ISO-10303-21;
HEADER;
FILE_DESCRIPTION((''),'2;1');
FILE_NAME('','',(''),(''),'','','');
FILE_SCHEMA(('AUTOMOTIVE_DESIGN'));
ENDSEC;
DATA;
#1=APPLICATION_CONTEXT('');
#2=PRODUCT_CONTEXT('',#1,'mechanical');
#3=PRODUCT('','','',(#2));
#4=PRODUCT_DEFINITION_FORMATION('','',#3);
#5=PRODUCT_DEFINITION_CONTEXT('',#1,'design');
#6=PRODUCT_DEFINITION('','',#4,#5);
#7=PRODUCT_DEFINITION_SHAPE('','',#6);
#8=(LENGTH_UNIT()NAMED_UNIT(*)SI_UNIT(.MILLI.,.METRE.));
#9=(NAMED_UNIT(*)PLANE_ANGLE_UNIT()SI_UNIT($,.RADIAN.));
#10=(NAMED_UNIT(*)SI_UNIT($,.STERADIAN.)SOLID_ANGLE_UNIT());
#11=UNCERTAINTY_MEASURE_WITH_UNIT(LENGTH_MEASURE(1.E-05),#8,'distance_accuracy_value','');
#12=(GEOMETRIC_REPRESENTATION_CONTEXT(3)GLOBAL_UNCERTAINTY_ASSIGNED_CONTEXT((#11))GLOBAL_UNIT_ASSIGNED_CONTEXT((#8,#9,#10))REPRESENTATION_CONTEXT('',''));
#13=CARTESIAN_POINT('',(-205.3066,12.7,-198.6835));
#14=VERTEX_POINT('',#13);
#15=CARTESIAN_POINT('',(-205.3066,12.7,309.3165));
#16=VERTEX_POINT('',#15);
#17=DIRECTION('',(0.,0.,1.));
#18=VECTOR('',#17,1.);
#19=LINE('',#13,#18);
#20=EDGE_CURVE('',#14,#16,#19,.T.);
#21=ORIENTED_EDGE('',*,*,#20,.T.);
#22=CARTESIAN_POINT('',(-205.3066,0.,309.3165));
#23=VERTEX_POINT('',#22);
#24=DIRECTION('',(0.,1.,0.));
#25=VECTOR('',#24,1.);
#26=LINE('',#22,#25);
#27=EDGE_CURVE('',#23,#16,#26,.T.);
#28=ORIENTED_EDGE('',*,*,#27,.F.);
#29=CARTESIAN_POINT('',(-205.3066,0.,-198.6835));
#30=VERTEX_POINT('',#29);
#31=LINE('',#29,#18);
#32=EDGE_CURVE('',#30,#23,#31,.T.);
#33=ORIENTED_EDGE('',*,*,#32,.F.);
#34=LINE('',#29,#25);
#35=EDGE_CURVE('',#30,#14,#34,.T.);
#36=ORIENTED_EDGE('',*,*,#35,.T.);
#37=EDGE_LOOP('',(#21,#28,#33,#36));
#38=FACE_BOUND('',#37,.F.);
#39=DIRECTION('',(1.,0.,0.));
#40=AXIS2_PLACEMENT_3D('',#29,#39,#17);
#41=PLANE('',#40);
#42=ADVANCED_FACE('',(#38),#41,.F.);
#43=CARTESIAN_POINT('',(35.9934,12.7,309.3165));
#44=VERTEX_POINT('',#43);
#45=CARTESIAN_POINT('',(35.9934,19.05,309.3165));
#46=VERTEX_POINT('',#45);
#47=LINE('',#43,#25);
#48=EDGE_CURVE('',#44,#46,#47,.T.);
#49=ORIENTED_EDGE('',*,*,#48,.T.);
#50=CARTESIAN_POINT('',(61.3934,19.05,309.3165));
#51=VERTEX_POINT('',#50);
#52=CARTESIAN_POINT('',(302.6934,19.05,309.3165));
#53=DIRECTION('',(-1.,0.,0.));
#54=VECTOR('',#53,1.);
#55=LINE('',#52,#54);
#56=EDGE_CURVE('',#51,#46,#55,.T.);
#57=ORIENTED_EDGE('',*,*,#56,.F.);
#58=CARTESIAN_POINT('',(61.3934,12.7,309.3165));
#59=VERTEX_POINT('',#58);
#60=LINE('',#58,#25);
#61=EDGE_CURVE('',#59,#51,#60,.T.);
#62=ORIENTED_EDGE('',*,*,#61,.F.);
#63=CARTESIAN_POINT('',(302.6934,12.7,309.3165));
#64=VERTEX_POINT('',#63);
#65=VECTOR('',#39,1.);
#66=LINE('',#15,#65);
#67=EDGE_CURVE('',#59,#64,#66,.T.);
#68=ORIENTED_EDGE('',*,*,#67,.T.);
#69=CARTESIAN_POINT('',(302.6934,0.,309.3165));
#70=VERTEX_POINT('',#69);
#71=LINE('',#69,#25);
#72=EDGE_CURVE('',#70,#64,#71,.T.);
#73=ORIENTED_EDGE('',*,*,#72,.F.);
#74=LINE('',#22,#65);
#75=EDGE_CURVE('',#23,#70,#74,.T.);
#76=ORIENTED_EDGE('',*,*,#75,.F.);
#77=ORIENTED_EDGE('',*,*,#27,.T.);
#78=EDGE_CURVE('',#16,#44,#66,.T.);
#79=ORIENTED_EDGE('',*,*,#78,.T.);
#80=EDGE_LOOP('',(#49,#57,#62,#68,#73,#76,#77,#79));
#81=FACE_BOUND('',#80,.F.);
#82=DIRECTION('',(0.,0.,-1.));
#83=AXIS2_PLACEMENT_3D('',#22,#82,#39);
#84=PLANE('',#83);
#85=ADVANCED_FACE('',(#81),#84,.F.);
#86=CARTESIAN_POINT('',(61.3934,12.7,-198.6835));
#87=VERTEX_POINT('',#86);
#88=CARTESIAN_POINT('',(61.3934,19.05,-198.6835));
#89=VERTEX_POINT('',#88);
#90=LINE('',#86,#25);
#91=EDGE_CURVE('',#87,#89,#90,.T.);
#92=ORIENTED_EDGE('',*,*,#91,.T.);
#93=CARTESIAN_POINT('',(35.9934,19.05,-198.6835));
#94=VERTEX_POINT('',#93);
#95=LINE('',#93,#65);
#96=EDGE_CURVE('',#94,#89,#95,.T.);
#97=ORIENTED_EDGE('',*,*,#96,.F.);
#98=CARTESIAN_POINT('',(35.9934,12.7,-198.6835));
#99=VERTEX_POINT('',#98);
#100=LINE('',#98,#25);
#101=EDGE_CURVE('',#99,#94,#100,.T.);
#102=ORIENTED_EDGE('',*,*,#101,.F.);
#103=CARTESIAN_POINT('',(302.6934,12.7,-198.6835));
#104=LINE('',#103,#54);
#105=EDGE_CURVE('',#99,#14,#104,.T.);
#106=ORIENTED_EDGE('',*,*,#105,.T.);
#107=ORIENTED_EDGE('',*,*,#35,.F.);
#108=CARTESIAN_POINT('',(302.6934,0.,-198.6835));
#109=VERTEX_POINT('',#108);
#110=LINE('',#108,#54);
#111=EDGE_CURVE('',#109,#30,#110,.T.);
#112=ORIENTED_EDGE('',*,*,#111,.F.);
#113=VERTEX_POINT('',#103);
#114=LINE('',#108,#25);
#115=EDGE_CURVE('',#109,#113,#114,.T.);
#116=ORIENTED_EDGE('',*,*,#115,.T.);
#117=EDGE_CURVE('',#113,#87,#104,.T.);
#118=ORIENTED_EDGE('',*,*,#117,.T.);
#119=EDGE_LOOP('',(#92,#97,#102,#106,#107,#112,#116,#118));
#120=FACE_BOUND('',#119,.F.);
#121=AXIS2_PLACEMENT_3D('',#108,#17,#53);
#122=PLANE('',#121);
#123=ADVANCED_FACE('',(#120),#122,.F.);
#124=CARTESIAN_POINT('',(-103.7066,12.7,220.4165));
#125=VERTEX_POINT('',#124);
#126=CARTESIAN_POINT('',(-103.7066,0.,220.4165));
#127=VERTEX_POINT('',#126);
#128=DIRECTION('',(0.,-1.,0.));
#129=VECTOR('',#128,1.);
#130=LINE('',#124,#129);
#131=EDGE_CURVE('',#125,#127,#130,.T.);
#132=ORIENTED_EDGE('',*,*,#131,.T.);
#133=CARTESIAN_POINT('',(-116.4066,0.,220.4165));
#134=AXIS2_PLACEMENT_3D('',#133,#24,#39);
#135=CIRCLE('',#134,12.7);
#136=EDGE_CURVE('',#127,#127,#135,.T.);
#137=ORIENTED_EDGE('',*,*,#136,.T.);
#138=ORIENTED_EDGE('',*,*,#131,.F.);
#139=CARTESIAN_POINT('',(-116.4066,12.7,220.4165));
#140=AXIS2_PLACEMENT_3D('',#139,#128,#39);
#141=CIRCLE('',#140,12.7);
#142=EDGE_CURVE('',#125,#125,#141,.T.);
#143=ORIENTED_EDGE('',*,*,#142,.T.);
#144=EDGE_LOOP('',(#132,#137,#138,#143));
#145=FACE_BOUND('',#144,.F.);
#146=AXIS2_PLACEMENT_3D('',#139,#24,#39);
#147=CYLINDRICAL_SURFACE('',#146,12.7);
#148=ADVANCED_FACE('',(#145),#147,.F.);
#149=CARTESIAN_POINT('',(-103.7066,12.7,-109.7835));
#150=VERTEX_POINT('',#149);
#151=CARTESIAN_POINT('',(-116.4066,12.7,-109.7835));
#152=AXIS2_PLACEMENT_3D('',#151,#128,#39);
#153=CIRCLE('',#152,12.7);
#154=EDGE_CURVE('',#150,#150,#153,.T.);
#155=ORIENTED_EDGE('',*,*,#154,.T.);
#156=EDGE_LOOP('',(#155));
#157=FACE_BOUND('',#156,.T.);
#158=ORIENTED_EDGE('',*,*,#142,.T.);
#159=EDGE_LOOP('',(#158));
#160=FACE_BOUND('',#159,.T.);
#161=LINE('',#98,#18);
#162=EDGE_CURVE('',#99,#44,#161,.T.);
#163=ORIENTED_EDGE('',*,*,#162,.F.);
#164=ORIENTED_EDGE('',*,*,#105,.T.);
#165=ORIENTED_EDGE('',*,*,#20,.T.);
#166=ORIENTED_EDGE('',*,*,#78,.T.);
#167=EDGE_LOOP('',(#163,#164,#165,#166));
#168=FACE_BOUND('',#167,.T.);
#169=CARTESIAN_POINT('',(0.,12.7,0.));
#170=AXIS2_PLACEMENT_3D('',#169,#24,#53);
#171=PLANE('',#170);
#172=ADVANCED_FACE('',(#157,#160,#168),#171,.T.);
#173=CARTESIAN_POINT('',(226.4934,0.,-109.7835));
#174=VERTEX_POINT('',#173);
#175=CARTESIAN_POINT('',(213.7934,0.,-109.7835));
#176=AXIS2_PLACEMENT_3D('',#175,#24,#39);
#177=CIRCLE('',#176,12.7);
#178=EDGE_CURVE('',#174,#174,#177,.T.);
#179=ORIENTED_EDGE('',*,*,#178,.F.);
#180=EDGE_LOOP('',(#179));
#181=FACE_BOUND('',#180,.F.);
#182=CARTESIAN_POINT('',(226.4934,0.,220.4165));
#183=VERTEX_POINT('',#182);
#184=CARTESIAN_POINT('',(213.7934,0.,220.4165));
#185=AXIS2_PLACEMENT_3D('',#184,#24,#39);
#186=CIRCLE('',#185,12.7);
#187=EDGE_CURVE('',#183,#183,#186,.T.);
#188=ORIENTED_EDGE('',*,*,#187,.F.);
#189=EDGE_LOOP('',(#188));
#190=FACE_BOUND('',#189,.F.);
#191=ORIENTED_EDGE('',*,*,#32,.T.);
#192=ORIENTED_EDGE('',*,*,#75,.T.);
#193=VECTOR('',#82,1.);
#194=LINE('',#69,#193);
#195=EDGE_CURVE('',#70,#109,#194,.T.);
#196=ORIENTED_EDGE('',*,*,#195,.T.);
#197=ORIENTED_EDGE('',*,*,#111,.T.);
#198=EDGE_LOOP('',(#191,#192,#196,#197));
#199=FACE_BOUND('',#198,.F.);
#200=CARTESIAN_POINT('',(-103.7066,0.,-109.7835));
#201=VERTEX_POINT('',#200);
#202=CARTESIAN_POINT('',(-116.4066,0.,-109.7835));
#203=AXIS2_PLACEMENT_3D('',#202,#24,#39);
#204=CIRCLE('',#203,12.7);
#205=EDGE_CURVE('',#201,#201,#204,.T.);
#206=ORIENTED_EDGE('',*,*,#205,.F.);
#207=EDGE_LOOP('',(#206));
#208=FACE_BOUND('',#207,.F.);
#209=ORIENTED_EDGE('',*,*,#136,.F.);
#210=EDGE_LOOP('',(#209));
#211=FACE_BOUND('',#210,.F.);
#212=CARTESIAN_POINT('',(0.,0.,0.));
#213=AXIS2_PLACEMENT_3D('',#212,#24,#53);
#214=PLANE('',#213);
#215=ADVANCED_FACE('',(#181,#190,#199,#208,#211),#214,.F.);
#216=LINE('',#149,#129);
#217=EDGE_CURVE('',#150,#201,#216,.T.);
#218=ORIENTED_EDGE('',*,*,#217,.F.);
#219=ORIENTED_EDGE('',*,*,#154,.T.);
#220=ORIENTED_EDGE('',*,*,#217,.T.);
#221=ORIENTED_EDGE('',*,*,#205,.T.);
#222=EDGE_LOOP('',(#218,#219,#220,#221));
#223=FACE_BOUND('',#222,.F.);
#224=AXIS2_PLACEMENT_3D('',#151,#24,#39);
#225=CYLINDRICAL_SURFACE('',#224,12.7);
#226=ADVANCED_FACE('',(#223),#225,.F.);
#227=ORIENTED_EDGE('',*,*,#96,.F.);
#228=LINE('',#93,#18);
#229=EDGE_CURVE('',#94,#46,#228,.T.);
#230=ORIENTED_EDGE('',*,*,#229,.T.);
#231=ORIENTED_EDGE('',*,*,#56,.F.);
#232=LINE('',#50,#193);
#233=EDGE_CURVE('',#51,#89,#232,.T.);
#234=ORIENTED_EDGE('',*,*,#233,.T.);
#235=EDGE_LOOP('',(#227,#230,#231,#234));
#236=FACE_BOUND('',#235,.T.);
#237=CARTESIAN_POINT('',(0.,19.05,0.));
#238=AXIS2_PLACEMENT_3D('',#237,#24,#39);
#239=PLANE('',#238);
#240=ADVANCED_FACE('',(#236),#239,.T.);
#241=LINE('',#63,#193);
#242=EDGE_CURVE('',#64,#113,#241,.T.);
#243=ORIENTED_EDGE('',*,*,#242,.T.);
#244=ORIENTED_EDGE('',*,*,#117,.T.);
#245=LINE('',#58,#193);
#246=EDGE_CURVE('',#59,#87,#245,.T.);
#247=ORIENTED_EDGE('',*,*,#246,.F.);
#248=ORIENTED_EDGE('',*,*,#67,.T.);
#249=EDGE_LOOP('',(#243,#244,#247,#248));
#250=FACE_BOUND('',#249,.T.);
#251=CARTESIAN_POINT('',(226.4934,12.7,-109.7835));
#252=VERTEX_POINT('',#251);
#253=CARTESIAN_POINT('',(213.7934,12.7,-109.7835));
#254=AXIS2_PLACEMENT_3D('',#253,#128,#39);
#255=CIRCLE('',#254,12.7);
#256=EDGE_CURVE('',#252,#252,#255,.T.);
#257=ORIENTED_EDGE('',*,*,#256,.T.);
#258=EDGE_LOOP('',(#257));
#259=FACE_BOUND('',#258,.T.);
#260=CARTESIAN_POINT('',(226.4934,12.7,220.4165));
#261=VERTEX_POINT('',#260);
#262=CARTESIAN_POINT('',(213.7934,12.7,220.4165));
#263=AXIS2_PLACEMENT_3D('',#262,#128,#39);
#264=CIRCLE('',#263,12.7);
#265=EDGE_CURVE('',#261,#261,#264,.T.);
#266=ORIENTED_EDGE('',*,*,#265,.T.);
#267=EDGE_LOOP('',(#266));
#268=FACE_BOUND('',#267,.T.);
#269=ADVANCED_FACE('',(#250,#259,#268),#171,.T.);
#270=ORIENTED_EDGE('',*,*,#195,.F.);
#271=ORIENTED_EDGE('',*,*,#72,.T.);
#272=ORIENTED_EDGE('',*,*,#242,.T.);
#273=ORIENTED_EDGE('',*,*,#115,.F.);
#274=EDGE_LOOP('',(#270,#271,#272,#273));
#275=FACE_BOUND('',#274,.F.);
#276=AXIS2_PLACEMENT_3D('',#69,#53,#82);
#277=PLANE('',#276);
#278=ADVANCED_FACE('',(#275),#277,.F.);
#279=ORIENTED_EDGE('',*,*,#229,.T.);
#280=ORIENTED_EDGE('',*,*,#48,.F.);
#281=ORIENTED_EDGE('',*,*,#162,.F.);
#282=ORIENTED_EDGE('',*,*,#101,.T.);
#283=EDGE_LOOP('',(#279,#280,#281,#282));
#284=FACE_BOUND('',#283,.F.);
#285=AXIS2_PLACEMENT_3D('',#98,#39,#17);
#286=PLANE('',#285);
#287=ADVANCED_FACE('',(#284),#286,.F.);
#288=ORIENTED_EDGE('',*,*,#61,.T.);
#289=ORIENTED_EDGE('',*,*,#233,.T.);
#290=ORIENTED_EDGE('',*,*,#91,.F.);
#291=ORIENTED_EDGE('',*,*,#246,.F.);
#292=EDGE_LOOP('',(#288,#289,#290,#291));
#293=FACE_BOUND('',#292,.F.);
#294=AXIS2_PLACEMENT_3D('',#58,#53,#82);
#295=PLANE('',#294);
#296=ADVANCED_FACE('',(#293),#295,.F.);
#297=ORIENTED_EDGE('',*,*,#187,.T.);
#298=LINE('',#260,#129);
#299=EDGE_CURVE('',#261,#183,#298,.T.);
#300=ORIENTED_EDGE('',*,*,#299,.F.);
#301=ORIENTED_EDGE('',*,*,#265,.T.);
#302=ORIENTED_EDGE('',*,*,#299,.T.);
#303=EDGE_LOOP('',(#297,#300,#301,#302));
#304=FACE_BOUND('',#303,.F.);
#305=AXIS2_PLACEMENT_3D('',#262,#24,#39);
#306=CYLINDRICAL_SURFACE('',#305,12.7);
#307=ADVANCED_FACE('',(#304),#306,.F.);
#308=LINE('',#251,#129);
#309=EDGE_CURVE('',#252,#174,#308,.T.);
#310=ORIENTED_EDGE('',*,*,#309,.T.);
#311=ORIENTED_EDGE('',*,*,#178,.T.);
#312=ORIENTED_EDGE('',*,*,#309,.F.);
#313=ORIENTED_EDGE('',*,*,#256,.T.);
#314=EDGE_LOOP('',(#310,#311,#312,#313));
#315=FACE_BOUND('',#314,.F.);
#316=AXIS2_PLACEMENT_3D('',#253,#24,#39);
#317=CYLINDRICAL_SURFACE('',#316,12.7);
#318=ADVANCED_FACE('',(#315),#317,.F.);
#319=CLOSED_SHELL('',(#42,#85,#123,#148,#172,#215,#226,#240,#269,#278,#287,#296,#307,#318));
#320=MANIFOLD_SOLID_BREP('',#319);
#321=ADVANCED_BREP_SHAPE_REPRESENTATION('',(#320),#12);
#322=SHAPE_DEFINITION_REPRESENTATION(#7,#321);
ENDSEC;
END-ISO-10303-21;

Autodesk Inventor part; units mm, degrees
ref_plane "YZ Plane" through (0, 0, 0) normal (1, 0, 0) x (0, 1, 0)
ref_plane "XZ Plane" through (0, 0, 0) normal (0, 1, 0) x (-1, 0, 0)
ref_plane "XY Plane" through (0, 0, 0) normal (0, 0, 1) x (1, 0, 0)
sketch "Sketch1" plane through (0, 0, 0) normal (0, 0, 1) x (1, 0, 0)
  point P0 (0, 0)
sketch "Sketch2" plane through (0, 0, 0) normal (0, 1, 0) x (-1, 0, 0)
  line L0 (205.3066, 309.3165) -> (-302.6934, 309.3165)
  line L1 (-302.6934, 309.3165) -> (-302.6934, -198.6835)
  line L2 (-302.6934, -198.6835) -> (205.3066, -198.6835)
  line L3 (205.3066, -198.6835) -> (205.3066, 309.3165)
  point P0 (0, 0)
  dimension "d0" = 508
  dimension "d1" = 508
extrude "Extrusion1" add sketch "Sketch2" along normal blind 12.7
sketch "Sketch3" plane through (0, 12.7, 0) normal (0, 1, 0) x (1, 0, 0)
  line L0 (-205.3066, -309.3165) -> (-116.4066, -309.3165)
  line L1 (-116.4066, -309.3165) -> (-116.4066, -220.4165)
  line L2 (-116.4066, -220.4165) -> (-205.3066, -220.4165)
  line L3 (-205.3066, -220.4165) -> (-205.3066, -309.3165)
  line L4 (-205.3066, 198.6835) -> (-116.4066, 198.6835)
  line L5 (-116.4066, 198.6835) -> (-116.4066, 109.7835)
  line L6 (-116.4066, 109.7835) -> (-205.3066, 109.7835)
  line L7 (-205.3066, 109.7835) -> (-205.3066, 198.6835)
  line L8 (302.6934, 198.6835) -> (213.7934, 198.6835)
  line L9 (213.7934, 198.6835) -> (213.7934, 109.7835)
  line L10 (213.7934, 109.7835) -> (302.6934, 109.7835)
  line L11 (302.6934, 109.7835) -> (302.6934, 198.6835)
  line L12 (302.6934, -309.3165) -> (213.7934, -309.3165)
  line L13 (213.7934, -309.3165) -> (213.7934, -220.4165)
  line L14 (213.7934, -220.4165) -> (302.6934, -220.4165)
  line L15 (302.6934, -220.4165) -> (302.6934, -309.3165)
  circle A0 centre (-116.4066, -220.4165) radius 12.7
  circle A1 centre (-116.4066, 109.7835) radius 12.7
  circle A2 centre (213.7934, 109.7835) radius 12.7
  circle A3 centre (213.7934, -220.4165) radius 12.7
  point P0 (0, 0)
  dimension "d4" = 88.9
  dimension "d5" = 88.9
  dimension "d6" = 88.9
  dimension "d7" = 88.9
  dimension "d8" = 88.9
  dimension "d9" = 88.9
  dimension "d10" = 88.9
  dimension "d11" = 88.9
  dimension "d12" = 25.4
  dimension "d13" = 25.4
  dimension "d14" = 25.4
  dimension "d15" = 25.4
extrude "Extrusion2" cut sketch "Sketch3" against normal blind 12.7 contours A0 L2 L1 | L1 L2 A0 | A1 L6 L5 | L5 L6 A1 | A2 L10 L9 | L9 L10 A2 | A3 L14 L13 | L13 L14 A3
sketch "Sketch4" plane through (0, 12.7, 0) normal (0, 1, 0) x (1, 0, 0)
  line L0 (302.6934, -309.3165) -> (-205.3066, -309.3165) projected
  line L1 (-205.3066, 198.6835) -> (302.6934, 198.6835) projected
  line L2 (302.6934, 198.6835) -> (48.6934, 198.6835)
  line L3 (48.6934, 198.6835) -> (74.0934, 198.6835)
  line L4 (74.0934, 198.6835) -> (61.3934, 198.6835)
  line L5 (61.3934, 198.6835) -> (35.9934, 198.6835)
  line L6 (35.9934, 198.6835) -> (35.9934, -309.3165)
  line L7 (35.9934, -309.3165) -> (61.3934, -309.3165)
  line L8 (61.3934, -309.3165) -> (61.3934, 198.6835)
  line L9 (61.3934, 198.6835) -> (35.9934, 198.6835)
  line L10 (35.9934, 198.6835) -> (35.9934, -309.3165)
  point P0 (0, 0)
  dimension "d18" = 254
  dimension "d19" = 25.4
  dimension "d20" = 12.7
  dimension "d21" = 25.4
extrude "Extrusion3" add sketch "Sketch4" along normal blind 6.35
properties part number "base"
